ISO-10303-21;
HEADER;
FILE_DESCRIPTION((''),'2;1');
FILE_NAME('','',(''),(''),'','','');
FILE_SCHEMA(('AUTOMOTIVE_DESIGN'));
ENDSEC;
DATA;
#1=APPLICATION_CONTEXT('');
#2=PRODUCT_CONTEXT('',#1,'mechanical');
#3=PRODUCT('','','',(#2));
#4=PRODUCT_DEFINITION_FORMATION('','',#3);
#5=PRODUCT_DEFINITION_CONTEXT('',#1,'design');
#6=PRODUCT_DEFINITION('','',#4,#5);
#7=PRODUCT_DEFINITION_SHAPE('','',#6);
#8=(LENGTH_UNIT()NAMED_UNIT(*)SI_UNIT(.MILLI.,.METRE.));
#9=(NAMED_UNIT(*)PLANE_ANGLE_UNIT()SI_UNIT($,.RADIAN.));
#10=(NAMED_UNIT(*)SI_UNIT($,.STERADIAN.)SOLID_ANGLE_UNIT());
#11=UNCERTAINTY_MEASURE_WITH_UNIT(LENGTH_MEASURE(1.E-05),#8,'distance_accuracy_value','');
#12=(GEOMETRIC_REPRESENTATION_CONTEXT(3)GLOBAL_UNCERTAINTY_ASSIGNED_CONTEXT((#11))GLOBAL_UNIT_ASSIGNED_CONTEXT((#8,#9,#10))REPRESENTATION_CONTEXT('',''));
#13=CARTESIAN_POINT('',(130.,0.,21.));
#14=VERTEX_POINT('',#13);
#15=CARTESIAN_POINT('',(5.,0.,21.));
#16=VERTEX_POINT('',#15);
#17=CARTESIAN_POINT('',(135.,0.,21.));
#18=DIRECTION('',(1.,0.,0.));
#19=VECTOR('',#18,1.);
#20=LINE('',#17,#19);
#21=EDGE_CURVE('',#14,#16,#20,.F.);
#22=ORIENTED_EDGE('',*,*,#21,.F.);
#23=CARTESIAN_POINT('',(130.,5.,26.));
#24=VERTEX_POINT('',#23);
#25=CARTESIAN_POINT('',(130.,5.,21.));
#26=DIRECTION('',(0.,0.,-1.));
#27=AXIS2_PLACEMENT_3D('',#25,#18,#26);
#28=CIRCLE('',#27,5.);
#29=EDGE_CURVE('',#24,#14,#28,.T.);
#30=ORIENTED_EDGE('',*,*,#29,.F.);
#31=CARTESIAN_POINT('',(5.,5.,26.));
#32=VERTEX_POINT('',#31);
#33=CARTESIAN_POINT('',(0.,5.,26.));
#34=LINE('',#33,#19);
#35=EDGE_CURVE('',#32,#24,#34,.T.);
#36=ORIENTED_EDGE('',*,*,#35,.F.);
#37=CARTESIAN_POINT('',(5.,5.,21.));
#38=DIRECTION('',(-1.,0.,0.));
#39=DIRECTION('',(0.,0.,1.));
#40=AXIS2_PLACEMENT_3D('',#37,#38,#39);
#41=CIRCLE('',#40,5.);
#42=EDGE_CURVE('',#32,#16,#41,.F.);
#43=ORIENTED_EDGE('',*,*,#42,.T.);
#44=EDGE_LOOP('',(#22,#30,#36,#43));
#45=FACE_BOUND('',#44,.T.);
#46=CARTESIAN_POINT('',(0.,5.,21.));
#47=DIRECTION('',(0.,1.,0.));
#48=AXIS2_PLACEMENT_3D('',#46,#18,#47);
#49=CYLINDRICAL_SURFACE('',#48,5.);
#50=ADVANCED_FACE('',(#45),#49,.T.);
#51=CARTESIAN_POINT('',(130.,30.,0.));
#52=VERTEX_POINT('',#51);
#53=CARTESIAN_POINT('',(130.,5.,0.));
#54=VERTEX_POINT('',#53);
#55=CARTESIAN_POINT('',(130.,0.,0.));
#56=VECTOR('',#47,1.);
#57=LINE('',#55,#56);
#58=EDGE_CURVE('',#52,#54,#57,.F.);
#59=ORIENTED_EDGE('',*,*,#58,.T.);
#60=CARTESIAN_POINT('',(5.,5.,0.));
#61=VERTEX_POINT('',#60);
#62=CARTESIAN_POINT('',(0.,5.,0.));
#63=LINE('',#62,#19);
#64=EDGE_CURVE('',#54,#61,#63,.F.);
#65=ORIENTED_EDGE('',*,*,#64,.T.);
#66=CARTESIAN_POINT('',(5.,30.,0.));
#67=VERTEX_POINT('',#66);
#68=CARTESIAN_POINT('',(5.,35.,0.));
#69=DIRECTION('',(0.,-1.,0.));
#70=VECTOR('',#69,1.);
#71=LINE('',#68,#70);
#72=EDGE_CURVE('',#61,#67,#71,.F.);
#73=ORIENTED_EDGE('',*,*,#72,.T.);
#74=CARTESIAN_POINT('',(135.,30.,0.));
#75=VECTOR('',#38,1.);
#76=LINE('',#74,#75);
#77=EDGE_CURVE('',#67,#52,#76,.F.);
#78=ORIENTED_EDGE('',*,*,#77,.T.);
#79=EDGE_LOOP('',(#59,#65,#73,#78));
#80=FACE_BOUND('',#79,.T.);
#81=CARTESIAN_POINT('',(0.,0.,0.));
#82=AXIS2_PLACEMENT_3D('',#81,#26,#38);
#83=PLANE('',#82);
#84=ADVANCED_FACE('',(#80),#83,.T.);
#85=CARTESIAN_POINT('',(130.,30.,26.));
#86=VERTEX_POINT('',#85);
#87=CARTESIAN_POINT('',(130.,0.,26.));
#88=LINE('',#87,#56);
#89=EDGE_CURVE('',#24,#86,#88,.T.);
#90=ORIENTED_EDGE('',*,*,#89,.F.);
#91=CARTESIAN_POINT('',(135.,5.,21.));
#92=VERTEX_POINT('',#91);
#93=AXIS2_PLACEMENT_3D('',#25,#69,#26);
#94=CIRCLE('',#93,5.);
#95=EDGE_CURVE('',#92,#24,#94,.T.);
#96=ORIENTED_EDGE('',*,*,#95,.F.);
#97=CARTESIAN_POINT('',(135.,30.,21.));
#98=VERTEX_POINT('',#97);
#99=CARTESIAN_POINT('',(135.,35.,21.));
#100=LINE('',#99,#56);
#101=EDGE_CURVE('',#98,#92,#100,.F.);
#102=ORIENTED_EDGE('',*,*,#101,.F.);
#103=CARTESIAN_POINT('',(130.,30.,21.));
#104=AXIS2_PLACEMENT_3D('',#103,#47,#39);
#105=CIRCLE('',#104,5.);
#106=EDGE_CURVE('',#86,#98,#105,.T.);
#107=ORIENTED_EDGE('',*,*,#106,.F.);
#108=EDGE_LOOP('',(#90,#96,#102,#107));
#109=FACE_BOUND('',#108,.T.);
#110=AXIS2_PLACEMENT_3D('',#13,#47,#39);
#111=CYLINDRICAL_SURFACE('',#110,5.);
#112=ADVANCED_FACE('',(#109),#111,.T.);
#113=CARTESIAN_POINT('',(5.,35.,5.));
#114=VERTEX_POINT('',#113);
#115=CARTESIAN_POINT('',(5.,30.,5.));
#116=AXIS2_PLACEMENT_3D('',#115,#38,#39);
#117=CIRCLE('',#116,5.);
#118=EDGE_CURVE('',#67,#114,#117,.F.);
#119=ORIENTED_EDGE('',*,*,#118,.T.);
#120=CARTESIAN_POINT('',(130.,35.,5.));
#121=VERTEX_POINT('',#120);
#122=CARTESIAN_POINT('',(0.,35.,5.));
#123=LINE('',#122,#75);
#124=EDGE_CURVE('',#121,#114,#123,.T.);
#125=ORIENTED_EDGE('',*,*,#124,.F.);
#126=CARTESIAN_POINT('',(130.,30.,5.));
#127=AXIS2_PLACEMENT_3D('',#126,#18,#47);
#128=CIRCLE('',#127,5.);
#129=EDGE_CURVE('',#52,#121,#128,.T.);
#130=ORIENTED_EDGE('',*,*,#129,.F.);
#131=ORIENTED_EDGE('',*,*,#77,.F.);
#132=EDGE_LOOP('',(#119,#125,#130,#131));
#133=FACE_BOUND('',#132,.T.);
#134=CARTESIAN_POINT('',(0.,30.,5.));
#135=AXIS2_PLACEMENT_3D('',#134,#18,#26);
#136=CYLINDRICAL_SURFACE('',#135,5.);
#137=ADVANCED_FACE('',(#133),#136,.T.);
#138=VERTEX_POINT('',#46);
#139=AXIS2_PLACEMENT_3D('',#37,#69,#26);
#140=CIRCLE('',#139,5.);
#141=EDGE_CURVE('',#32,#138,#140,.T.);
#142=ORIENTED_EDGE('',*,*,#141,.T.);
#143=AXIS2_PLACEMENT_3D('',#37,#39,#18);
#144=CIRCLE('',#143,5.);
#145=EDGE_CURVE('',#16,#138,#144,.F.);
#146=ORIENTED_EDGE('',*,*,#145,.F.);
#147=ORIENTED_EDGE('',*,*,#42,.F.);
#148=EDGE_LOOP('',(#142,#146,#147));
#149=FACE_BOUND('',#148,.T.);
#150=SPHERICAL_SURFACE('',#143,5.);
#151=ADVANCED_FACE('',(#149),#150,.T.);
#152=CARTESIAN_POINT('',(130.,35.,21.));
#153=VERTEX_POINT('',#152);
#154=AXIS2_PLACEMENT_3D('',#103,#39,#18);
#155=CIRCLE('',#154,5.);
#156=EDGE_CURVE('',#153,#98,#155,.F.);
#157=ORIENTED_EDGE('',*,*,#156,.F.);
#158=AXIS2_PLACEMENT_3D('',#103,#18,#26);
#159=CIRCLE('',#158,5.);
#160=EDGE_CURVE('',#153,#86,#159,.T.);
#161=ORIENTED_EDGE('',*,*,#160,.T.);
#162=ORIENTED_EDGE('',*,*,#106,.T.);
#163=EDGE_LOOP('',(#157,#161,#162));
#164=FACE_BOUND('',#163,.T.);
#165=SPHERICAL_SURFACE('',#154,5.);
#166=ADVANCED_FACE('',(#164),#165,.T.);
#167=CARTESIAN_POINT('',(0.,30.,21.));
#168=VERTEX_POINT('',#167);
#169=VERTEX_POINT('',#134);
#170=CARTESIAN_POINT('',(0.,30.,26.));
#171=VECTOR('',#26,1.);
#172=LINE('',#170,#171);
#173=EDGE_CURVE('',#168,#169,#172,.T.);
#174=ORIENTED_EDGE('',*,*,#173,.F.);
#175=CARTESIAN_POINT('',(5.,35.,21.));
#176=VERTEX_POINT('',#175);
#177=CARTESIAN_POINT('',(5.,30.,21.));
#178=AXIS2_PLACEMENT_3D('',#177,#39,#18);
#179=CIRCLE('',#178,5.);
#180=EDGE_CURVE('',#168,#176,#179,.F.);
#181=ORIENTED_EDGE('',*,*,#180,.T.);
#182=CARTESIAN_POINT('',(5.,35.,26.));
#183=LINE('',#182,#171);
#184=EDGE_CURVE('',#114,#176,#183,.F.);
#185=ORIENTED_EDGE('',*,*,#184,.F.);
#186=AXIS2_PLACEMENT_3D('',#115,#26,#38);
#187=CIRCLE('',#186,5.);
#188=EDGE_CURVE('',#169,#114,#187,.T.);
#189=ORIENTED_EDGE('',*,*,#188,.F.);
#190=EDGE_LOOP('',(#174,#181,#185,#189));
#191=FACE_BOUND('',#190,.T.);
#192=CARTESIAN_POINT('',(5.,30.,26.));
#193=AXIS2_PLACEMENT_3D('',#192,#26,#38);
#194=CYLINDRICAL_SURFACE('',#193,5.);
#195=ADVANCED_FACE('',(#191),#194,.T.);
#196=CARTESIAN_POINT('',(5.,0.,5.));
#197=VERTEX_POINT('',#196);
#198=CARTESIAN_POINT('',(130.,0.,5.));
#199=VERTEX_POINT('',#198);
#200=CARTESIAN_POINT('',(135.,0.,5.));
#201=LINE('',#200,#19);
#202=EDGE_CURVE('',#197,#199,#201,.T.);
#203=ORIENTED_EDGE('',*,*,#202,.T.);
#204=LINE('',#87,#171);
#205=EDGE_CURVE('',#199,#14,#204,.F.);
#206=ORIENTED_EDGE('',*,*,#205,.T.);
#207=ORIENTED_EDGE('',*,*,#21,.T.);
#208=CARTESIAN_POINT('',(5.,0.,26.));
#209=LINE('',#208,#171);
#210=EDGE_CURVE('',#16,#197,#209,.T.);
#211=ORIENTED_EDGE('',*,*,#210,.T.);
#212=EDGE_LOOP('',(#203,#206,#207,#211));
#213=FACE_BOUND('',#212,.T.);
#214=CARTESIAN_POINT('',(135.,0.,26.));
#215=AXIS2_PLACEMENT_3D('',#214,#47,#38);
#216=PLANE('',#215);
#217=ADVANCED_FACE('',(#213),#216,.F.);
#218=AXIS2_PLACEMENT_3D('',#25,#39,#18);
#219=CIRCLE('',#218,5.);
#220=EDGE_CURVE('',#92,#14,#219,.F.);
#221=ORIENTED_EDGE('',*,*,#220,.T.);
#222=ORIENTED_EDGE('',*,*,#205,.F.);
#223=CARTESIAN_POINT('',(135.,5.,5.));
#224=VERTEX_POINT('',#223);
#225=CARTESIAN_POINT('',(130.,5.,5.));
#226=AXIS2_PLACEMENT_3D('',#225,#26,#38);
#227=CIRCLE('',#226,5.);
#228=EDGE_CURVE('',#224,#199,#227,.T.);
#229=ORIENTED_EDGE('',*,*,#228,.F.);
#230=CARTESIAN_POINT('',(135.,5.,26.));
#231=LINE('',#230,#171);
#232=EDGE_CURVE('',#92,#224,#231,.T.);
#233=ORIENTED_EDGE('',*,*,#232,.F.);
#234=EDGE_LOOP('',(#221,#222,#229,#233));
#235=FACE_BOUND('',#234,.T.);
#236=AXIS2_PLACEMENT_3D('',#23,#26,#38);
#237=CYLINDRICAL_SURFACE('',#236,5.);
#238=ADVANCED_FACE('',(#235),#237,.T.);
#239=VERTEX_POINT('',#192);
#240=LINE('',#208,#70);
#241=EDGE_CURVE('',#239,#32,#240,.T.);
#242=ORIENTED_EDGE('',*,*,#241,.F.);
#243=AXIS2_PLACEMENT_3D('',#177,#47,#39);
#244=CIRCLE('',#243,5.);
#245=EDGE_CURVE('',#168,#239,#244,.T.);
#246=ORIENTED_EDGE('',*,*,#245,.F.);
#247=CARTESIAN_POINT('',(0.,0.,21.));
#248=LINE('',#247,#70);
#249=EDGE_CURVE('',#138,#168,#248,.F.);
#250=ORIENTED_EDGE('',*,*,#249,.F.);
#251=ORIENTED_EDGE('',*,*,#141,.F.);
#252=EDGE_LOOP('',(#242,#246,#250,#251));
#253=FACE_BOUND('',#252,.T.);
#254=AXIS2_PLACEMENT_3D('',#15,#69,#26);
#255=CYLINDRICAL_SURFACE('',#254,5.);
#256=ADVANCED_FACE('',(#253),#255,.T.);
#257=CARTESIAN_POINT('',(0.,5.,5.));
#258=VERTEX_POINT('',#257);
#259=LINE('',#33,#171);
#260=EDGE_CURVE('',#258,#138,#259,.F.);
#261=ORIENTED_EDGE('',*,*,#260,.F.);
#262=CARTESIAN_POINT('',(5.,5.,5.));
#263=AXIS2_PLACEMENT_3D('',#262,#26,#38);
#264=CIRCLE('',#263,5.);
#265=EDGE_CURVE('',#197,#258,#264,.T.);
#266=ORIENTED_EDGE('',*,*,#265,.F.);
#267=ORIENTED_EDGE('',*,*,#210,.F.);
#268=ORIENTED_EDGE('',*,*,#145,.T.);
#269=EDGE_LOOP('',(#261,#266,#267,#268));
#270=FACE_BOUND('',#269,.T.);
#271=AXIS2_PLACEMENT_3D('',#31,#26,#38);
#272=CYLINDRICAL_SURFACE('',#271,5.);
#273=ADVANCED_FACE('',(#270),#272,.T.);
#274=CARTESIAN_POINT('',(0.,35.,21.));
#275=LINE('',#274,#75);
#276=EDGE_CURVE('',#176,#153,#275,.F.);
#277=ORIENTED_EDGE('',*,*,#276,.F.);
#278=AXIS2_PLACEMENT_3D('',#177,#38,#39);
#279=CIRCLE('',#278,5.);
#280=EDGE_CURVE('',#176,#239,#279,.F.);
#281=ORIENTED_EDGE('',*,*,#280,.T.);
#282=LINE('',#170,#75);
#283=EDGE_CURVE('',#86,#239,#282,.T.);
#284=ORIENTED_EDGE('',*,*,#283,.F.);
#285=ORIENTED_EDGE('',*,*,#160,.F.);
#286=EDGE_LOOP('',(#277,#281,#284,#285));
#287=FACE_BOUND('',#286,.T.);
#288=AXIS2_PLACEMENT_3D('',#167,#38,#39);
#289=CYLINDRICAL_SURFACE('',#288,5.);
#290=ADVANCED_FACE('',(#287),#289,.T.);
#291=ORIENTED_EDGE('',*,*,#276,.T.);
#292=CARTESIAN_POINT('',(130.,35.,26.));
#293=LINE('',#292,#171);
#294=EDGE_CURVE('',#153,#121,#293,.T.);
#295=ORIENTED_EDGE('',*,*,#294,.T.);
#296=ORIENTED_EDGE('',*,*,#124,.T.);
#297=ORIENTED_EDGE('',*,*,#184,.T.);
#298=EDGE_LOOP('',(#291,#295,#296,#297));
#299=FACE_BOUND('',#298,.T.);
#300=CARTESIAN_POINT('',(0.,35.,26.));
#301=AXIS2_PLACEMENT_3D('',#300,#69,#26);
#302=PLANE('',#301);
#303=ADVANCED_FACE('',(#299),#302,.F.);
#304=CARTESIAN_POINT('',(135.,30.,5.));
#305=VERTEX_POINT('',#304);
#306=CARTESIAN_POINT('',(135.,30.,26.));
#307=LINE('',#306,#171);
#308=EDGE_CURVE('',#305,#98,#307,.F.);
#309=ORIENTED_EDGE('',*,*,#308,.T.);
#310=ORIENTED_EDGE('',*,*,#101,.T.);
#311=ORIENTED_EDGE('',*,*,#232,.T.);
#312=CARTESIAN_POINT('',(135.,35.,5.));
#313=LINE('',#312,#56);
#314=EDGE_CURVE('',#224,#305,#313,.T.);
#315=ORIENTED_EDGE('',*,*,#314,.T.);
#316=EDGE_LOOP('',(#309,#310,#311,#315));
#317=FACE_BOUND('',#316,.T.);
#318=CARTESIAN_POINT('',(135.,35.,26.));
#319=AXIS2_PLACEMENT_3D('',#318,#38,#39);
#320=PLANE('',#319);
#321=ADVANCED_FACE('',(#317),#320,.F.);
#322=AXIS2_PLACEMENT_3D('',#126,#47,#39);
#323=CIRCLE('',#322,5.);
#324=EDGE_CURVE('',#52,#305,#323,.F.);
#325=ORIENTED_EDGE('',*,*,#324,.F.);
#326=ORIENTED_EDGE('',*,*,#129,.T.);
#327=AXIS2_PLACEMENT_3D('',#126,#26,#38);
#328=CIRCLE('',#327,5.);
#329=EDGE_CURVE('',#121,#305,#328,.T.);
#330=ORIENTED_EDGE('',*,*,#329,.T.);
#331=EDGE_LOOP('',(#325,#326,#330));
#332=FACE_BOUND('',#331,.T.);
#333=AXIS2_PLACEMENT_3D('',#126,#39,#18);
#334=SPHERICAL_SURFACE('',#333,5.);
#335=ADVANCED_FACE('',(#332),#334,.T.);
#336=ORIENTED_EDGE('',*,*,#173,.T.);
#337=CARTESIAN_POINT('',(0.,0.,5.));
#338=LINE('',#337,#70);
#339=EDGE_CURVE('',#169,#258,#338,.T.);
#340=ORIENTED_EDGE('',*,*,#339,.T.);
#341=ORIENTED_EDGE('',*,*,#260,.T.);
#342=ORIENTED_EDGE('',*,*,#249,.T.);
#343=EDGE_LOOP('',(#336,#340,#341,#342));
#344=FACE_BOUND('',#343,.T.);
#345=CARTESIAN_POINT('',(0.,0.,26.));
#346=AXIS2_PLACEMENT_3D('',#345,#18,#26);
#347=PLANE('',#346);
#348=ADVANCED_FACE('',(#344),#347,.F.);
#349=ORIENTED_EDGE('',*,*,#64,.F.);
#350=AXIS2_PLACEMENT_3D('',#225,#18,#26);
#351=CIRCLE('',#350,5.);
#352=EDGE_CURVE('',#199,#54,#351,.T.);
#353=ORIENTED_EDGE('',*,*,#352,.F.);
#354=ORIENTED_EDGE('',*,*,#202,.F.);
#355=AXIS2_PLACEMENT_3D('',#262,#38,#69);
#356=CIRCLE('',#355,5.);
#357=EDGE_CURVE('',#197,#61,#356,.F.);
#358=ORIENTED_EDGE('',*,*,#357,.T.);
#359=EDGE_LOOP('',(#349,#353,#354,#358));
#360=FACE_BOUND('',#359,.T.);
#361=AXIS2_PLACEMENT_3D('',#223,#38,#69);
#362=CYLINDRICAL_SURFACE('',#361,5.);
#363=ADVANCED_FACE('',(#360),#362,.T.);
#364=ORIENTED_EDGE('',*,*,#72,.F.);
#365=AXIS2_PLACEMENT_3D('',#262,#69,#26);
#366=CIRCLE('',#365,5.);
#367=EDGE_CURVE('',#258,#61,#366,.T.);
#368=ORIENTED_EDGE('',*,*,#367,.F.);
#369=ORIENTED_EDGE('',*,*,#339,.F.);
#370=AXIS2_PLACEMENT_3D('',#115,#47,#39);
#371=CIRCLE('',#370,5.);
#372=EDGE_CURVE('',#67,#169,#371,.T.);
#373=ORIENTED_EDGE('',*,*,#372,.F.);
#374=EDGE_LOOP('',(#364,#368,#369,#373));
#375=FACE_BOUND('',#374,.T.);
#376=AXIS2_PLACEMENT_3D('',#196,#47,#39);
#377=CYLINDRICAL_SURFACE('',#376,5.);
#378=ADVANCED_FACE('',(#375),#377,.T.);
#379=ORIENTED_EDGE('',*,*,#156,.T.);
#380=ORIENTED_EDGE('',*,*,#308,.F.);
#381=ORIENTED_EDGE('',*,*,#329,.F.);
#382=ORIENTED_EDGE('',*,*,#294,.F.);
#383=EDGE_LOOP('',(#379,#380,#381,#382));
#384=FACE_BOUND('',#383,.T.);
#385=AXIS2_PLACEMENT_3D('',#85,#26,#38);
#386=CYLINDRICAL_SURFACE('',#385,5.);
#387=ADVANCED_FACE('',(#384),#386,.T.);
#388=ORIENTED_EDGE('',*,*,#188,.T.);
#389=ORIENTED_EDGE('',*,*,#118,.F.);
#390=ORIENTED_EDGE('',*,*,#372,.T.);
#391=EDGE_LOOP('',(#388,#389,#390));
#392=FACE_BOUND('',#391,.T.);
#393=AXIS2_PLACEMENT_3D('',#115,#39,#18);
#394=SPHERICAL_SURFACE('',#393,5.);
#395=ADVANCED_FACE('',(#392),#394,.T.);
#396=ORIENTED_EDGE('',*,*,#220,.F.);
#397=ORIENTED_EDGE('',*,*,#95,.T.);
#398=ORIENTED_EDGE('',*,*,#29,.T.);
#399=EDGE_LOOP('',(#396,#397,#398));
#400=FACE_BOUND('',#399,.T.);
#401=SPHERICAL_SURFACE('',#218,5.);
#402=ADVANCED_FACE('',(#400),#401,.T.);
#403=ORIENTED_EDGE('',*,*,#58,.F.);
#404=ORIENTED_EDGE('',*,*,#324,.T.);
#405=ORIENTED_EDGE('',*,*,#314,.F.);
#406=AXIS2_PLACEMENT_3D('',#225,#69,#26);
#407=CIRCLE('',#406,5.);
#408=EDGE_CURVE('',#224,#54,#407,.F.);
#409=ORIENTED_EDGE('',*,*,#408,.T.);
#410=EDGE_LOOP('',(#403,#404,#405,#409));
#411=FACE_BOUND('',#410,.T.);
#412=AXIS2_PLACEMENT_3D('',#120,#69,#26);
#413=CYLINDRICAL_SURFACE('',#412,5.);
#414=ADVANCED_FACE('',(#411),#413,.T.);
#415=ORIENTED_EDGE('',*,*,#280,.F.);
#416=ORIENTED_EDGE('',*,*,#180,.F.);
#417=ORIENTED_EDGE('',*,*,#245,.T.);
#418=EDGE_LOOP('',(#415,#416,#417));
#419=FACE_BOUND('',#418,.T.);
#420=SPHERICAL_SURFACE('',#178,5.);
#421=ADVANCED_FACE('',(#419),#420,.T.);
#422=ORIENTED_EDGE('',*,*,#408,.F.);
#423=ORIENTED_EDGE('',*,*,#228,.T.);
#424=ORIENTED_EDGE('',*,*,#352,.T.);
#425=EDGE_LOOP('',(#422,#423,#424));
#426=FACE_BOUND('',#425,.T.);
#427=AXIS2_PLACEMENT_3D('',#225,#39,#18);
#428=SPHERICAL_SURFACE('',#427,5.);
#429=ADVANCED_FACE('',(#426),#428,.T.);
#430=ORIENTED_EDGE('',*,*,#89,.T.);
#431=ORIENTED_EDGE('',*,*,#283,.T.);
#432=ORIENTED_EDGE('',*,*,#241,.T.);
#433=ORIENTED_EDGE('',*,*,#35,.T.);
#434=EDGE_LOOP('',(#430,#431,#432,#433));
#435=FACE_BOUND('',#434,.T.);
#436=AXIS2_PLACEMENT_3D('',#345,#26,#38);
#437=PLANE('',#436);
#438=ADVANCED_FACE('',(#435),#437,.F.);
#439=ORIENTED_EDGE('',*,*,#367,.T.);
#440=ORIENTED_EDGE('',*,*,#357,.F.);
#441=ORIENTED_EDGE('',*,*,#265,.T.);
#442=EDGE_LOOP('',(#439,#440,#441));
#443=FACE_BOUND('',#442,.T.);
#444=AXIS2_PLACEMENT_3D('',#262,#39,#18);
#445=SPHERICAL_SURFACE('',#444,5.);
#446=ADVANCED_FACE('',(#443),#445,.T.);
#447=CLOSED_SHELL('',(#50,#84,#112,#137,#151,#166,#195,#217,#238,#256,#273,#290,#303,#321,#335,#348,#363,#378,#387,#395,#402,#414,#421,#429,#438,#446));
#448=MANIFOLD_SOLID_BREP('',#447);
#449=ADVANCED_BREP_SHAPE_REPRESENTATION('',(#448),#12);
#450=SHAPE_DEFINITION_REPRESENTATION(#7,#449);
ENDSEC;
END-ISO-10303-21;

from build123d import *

# Parameters (mm, degrees)
SKETCH1_W           = 135
SKETCH1_H           = 35
BOSS_EXTRUDE1_DEPTH = 26
FILLET1_R           = 5


with BuildPart() as part:
    # Sketch1 → Boss-Extrude1 (new body)
    with BuildSketch(Plane.XY):
        with Locations((67.5, 17.5)):
            Rectangle(SKETCH1_W, SKETCH1_H)
    extrude(amount=BOSS_EXTRUDE1_DEPTH)

    # Fillet1
    fillet1_edges = [part.edges().sort_by_distance(p)[0] for p in [
        (67.5, 35, 26),
        (0, 17.5, 26),
        (67.5, 0, 26),
        (0, 17.5, 0),
        (67.5, 35, 0),
        (135, 17.5, 0),
        (67.5, 0, 0),
        (135, 17.5, 26),
        (0, 0, 13),
        (0, 35, 13),
        (135, 35, 13),
        (135, 0, 13),
    ]]
    fillet(fillet1_edges, radius=FILLET1_R)


solid = part.part
